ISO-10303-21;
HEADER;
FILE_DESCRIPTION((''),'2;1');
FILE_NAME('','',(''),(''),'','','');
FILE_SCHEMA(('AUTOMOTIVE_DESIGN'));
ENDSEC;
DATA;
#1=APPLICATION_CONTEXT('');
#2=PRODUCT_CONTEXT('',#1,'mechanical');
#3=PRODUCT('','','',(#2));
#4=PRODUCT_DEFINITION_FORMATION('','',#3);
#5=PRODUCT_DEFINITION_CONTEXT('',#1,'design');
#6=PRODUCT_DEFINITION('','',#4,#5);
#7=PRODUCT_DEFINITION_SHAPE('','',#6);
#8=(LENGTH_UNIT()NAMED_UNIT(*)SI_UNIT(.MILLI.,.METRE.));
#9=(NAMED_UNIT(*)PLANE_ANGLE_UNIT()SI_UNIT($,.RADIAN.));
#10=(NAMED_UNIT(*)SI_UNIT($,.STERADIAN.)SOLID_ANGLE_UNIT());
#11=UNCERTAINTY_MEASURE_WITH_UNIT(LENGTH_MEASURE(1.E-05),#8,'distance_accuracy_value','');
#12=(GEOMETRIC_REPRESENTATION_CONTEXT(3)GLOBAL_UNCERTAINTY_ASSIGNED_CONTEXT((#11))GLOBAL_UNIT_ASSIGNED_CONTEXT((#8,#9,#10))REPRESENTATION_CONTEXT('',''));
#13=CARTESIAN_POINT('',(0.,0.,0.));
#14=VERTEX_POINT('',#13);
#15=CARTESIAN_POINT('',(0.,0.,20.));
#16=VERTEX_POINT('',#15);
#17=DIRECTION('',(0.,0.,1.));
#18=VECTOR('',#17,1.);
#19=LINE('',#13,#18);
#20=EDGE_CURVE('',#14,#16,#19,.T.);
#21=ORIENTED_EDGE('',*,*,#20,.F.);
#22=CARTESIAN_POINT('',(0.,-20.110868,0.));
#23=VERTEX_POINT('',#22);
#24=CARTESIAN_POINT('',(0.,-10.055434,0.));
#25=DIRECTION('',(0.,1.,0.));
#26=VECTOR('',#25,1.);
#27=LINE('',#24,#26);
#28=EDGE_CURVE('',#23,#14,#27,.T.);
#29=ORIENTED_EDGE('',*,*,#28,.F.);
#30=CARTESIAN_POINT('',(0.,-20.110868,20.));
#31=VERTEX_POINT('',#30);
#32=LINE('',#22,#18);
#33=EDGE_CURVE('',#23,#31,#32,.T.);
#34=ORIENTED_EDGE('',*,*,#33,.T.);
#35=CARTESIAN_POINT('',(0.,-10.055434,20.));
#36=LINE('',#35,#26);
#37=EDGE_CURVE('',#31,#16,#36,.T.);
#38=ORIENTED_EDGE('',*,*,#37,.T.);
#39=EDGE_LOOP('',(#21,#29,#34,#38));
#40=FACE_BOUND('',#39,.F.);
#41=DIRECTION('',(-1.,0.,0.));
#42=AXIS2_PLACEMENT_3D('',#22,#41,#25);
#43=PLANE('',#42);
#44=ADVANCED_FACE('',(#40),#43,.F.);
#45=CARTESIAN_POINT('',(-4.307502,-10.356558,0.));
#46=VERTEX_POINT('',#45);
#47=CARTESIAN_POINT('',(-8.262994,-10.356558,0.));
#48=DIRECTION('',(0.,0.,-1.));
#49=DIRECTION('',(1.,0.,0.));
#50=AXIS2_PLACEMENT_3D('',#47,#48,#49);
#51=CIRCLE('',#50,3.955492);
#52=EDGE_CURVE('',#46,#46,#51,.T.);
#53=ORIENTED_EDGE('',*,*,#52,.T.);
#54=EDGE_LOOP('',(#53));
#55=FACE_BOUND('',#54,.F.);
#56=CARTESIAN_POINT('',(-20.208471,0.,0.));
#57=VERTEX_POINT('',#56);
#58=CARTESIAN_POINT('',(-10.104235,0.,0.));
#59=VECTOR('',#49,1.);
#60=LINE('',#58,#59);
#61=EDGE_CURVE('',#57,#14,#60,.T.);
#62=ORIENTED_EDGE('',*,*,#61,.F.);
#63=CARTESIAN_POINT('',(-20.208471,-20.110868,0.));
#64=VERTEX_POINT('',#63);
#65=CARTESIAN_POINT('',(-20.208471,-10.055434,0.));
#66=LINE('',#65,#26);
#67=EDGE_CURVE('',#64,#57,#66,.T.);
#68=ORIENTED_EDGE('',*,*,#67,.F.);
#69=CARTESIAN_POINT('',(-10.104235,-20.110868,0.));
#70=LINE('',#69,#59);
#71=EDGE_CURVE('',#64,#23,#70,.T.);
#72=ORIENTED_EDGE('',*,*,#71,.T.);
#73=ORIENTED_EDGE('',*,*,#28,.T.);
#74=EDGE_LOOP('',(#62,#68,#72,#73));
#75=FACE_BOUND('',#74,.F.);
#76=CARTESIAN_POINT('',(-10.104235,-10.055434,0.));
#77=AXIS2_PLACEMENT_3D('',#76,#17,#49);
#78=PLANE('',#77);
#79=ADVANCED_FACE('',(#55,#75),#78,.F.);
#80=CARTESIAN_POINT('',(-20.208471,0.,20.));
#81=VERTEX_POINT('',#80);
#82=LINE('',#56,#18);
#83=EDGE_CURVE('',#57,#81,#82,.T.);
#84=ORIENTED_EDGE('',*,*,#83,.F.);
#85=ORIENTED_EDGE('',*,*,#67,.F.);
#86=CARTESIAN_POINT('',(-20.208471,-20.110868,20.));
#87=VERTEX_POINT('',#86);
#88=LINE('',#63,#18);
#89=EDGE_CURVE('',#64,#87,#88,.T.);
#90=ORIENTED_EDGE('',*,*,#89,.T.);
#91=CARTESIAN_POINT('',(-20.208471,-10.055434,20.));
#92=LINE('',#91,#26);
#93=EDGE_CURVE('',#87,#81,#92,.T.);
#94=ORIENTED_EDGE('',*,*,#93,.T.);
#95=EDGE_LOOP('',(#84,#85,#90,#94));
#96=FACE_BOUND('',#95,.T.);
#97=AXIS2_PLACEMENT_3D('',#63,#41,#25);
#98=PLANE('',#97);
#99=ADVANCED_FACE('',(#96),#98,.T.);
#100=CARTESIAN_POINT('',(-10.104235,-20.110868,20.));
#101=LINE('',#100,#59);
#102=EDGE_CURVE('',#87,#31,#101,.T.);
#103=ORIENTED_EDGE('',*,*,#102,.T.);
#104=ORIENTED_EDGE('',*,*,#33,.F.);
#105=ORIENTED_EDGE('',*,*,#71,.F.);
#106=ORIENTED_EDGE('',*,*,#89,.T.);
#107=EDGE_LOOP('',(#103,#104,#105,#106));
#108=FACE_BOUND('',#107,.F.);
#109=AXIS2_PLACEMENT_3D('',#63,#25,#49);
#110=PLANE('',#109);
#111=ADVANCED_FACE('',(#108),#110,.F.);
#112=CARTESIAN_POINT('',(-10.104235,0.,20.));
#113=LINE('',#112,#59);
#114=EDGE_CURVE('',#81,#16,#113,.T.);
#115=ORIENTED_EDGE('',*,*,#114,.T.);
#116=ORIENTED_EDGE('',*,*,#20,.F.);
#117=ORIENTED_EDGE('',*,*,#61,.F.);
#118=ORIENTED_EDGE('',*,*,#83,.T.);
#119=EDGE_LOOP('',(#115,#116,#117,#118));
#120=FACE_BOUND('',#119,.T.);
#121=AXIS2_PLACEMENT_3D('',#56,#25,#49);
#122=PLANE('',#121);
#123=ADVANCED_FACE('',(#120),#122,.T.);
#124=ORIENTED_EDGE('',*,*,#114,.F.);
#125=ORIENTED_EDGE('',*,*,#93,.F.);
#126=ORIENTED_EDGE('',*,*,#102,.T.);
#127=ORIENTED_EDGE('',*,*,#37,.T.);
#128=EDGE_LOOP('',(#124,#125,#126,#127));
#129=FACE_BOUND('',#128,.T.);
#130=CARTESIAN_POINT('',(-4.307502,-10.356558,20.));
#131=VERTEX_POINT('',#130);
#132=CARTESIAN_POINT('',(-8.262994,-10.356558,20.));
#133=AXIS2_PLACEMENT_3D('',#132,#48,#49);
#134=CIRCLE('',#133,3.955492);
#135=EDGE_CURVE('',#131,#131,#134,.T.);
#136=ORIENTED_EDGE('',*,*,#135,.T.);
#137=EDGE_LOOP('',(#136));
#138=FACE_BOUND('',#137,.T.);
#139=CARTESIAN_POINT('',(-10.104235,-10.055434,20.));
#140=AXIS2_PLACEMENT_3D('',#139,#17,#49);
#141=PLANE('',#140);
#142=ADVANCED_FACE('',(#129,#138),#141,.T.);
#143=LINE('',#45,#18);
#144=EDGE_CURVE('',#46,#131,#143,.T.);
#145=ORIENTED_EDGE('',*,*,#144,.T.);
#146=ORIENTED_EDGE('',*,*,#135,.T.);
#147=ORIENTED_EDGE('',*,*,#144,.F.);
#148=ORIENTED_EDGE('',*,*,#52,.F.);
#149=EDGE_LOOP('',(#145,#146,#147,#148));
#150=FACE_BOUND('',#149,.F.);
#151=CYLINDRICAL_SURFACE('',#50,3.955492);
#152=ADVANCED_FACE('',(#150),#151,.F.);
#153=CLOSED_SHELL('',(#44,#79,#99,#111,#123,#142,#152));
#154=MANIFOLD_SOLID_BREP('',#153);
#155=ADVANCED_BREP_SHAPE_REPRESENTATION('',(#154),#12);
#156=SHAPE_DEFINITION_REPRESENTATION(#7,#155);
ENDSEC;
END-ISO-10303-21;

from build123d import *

# Parameters (mm, degrees)
F0_W     = 20.2084705234
F0_H     = 20.1108679175
F1_DEPTH = 20
F3_R     = 3.9554921295
F3_R_2   = 2.3007028816
F3_R_3   = 1.330304551
F4_DEPTH = 25


with BuildPart() as f1:
    # F0 (on Top) → F1 (new body)
    with BuildSketch(Plane.XY):
        with Locations((-10.1042352617, -10.0554339588)):
            Rectangle(F0_W, F0_H)
    extrude(amount=F1_DEPTH)

    # F3 (on face) → F4 (cut)
    with BuildSketch(Plane(origin=(0, 0, 0), x_dir=(1, 0, 0), z_dir=(0, 0, -1))):
        with Locations((-8.2629937679, 10.3565575555)):
            Circle(F3_R)
        with Locations((-8.2629937679, 10.3565575555)):
            Circle(F3_R_2, mode=Mode.SUBTRACT)
        with Locations((-8.2629937679, 10.3565575555)):
            Circle(F3_R_2)
        with Locations((-8.2629937679, 10.3565575555)):
            Circle(F3_R_3, mode=Mode.SUBTRACT)
        with Locations((-8.2629937679, 10.3565575555)):
            Circle(F3_R_3)
    extrude(amount=-F4_DEPTH, mode=Mode.SUBTRACT)


solid = f1.part
